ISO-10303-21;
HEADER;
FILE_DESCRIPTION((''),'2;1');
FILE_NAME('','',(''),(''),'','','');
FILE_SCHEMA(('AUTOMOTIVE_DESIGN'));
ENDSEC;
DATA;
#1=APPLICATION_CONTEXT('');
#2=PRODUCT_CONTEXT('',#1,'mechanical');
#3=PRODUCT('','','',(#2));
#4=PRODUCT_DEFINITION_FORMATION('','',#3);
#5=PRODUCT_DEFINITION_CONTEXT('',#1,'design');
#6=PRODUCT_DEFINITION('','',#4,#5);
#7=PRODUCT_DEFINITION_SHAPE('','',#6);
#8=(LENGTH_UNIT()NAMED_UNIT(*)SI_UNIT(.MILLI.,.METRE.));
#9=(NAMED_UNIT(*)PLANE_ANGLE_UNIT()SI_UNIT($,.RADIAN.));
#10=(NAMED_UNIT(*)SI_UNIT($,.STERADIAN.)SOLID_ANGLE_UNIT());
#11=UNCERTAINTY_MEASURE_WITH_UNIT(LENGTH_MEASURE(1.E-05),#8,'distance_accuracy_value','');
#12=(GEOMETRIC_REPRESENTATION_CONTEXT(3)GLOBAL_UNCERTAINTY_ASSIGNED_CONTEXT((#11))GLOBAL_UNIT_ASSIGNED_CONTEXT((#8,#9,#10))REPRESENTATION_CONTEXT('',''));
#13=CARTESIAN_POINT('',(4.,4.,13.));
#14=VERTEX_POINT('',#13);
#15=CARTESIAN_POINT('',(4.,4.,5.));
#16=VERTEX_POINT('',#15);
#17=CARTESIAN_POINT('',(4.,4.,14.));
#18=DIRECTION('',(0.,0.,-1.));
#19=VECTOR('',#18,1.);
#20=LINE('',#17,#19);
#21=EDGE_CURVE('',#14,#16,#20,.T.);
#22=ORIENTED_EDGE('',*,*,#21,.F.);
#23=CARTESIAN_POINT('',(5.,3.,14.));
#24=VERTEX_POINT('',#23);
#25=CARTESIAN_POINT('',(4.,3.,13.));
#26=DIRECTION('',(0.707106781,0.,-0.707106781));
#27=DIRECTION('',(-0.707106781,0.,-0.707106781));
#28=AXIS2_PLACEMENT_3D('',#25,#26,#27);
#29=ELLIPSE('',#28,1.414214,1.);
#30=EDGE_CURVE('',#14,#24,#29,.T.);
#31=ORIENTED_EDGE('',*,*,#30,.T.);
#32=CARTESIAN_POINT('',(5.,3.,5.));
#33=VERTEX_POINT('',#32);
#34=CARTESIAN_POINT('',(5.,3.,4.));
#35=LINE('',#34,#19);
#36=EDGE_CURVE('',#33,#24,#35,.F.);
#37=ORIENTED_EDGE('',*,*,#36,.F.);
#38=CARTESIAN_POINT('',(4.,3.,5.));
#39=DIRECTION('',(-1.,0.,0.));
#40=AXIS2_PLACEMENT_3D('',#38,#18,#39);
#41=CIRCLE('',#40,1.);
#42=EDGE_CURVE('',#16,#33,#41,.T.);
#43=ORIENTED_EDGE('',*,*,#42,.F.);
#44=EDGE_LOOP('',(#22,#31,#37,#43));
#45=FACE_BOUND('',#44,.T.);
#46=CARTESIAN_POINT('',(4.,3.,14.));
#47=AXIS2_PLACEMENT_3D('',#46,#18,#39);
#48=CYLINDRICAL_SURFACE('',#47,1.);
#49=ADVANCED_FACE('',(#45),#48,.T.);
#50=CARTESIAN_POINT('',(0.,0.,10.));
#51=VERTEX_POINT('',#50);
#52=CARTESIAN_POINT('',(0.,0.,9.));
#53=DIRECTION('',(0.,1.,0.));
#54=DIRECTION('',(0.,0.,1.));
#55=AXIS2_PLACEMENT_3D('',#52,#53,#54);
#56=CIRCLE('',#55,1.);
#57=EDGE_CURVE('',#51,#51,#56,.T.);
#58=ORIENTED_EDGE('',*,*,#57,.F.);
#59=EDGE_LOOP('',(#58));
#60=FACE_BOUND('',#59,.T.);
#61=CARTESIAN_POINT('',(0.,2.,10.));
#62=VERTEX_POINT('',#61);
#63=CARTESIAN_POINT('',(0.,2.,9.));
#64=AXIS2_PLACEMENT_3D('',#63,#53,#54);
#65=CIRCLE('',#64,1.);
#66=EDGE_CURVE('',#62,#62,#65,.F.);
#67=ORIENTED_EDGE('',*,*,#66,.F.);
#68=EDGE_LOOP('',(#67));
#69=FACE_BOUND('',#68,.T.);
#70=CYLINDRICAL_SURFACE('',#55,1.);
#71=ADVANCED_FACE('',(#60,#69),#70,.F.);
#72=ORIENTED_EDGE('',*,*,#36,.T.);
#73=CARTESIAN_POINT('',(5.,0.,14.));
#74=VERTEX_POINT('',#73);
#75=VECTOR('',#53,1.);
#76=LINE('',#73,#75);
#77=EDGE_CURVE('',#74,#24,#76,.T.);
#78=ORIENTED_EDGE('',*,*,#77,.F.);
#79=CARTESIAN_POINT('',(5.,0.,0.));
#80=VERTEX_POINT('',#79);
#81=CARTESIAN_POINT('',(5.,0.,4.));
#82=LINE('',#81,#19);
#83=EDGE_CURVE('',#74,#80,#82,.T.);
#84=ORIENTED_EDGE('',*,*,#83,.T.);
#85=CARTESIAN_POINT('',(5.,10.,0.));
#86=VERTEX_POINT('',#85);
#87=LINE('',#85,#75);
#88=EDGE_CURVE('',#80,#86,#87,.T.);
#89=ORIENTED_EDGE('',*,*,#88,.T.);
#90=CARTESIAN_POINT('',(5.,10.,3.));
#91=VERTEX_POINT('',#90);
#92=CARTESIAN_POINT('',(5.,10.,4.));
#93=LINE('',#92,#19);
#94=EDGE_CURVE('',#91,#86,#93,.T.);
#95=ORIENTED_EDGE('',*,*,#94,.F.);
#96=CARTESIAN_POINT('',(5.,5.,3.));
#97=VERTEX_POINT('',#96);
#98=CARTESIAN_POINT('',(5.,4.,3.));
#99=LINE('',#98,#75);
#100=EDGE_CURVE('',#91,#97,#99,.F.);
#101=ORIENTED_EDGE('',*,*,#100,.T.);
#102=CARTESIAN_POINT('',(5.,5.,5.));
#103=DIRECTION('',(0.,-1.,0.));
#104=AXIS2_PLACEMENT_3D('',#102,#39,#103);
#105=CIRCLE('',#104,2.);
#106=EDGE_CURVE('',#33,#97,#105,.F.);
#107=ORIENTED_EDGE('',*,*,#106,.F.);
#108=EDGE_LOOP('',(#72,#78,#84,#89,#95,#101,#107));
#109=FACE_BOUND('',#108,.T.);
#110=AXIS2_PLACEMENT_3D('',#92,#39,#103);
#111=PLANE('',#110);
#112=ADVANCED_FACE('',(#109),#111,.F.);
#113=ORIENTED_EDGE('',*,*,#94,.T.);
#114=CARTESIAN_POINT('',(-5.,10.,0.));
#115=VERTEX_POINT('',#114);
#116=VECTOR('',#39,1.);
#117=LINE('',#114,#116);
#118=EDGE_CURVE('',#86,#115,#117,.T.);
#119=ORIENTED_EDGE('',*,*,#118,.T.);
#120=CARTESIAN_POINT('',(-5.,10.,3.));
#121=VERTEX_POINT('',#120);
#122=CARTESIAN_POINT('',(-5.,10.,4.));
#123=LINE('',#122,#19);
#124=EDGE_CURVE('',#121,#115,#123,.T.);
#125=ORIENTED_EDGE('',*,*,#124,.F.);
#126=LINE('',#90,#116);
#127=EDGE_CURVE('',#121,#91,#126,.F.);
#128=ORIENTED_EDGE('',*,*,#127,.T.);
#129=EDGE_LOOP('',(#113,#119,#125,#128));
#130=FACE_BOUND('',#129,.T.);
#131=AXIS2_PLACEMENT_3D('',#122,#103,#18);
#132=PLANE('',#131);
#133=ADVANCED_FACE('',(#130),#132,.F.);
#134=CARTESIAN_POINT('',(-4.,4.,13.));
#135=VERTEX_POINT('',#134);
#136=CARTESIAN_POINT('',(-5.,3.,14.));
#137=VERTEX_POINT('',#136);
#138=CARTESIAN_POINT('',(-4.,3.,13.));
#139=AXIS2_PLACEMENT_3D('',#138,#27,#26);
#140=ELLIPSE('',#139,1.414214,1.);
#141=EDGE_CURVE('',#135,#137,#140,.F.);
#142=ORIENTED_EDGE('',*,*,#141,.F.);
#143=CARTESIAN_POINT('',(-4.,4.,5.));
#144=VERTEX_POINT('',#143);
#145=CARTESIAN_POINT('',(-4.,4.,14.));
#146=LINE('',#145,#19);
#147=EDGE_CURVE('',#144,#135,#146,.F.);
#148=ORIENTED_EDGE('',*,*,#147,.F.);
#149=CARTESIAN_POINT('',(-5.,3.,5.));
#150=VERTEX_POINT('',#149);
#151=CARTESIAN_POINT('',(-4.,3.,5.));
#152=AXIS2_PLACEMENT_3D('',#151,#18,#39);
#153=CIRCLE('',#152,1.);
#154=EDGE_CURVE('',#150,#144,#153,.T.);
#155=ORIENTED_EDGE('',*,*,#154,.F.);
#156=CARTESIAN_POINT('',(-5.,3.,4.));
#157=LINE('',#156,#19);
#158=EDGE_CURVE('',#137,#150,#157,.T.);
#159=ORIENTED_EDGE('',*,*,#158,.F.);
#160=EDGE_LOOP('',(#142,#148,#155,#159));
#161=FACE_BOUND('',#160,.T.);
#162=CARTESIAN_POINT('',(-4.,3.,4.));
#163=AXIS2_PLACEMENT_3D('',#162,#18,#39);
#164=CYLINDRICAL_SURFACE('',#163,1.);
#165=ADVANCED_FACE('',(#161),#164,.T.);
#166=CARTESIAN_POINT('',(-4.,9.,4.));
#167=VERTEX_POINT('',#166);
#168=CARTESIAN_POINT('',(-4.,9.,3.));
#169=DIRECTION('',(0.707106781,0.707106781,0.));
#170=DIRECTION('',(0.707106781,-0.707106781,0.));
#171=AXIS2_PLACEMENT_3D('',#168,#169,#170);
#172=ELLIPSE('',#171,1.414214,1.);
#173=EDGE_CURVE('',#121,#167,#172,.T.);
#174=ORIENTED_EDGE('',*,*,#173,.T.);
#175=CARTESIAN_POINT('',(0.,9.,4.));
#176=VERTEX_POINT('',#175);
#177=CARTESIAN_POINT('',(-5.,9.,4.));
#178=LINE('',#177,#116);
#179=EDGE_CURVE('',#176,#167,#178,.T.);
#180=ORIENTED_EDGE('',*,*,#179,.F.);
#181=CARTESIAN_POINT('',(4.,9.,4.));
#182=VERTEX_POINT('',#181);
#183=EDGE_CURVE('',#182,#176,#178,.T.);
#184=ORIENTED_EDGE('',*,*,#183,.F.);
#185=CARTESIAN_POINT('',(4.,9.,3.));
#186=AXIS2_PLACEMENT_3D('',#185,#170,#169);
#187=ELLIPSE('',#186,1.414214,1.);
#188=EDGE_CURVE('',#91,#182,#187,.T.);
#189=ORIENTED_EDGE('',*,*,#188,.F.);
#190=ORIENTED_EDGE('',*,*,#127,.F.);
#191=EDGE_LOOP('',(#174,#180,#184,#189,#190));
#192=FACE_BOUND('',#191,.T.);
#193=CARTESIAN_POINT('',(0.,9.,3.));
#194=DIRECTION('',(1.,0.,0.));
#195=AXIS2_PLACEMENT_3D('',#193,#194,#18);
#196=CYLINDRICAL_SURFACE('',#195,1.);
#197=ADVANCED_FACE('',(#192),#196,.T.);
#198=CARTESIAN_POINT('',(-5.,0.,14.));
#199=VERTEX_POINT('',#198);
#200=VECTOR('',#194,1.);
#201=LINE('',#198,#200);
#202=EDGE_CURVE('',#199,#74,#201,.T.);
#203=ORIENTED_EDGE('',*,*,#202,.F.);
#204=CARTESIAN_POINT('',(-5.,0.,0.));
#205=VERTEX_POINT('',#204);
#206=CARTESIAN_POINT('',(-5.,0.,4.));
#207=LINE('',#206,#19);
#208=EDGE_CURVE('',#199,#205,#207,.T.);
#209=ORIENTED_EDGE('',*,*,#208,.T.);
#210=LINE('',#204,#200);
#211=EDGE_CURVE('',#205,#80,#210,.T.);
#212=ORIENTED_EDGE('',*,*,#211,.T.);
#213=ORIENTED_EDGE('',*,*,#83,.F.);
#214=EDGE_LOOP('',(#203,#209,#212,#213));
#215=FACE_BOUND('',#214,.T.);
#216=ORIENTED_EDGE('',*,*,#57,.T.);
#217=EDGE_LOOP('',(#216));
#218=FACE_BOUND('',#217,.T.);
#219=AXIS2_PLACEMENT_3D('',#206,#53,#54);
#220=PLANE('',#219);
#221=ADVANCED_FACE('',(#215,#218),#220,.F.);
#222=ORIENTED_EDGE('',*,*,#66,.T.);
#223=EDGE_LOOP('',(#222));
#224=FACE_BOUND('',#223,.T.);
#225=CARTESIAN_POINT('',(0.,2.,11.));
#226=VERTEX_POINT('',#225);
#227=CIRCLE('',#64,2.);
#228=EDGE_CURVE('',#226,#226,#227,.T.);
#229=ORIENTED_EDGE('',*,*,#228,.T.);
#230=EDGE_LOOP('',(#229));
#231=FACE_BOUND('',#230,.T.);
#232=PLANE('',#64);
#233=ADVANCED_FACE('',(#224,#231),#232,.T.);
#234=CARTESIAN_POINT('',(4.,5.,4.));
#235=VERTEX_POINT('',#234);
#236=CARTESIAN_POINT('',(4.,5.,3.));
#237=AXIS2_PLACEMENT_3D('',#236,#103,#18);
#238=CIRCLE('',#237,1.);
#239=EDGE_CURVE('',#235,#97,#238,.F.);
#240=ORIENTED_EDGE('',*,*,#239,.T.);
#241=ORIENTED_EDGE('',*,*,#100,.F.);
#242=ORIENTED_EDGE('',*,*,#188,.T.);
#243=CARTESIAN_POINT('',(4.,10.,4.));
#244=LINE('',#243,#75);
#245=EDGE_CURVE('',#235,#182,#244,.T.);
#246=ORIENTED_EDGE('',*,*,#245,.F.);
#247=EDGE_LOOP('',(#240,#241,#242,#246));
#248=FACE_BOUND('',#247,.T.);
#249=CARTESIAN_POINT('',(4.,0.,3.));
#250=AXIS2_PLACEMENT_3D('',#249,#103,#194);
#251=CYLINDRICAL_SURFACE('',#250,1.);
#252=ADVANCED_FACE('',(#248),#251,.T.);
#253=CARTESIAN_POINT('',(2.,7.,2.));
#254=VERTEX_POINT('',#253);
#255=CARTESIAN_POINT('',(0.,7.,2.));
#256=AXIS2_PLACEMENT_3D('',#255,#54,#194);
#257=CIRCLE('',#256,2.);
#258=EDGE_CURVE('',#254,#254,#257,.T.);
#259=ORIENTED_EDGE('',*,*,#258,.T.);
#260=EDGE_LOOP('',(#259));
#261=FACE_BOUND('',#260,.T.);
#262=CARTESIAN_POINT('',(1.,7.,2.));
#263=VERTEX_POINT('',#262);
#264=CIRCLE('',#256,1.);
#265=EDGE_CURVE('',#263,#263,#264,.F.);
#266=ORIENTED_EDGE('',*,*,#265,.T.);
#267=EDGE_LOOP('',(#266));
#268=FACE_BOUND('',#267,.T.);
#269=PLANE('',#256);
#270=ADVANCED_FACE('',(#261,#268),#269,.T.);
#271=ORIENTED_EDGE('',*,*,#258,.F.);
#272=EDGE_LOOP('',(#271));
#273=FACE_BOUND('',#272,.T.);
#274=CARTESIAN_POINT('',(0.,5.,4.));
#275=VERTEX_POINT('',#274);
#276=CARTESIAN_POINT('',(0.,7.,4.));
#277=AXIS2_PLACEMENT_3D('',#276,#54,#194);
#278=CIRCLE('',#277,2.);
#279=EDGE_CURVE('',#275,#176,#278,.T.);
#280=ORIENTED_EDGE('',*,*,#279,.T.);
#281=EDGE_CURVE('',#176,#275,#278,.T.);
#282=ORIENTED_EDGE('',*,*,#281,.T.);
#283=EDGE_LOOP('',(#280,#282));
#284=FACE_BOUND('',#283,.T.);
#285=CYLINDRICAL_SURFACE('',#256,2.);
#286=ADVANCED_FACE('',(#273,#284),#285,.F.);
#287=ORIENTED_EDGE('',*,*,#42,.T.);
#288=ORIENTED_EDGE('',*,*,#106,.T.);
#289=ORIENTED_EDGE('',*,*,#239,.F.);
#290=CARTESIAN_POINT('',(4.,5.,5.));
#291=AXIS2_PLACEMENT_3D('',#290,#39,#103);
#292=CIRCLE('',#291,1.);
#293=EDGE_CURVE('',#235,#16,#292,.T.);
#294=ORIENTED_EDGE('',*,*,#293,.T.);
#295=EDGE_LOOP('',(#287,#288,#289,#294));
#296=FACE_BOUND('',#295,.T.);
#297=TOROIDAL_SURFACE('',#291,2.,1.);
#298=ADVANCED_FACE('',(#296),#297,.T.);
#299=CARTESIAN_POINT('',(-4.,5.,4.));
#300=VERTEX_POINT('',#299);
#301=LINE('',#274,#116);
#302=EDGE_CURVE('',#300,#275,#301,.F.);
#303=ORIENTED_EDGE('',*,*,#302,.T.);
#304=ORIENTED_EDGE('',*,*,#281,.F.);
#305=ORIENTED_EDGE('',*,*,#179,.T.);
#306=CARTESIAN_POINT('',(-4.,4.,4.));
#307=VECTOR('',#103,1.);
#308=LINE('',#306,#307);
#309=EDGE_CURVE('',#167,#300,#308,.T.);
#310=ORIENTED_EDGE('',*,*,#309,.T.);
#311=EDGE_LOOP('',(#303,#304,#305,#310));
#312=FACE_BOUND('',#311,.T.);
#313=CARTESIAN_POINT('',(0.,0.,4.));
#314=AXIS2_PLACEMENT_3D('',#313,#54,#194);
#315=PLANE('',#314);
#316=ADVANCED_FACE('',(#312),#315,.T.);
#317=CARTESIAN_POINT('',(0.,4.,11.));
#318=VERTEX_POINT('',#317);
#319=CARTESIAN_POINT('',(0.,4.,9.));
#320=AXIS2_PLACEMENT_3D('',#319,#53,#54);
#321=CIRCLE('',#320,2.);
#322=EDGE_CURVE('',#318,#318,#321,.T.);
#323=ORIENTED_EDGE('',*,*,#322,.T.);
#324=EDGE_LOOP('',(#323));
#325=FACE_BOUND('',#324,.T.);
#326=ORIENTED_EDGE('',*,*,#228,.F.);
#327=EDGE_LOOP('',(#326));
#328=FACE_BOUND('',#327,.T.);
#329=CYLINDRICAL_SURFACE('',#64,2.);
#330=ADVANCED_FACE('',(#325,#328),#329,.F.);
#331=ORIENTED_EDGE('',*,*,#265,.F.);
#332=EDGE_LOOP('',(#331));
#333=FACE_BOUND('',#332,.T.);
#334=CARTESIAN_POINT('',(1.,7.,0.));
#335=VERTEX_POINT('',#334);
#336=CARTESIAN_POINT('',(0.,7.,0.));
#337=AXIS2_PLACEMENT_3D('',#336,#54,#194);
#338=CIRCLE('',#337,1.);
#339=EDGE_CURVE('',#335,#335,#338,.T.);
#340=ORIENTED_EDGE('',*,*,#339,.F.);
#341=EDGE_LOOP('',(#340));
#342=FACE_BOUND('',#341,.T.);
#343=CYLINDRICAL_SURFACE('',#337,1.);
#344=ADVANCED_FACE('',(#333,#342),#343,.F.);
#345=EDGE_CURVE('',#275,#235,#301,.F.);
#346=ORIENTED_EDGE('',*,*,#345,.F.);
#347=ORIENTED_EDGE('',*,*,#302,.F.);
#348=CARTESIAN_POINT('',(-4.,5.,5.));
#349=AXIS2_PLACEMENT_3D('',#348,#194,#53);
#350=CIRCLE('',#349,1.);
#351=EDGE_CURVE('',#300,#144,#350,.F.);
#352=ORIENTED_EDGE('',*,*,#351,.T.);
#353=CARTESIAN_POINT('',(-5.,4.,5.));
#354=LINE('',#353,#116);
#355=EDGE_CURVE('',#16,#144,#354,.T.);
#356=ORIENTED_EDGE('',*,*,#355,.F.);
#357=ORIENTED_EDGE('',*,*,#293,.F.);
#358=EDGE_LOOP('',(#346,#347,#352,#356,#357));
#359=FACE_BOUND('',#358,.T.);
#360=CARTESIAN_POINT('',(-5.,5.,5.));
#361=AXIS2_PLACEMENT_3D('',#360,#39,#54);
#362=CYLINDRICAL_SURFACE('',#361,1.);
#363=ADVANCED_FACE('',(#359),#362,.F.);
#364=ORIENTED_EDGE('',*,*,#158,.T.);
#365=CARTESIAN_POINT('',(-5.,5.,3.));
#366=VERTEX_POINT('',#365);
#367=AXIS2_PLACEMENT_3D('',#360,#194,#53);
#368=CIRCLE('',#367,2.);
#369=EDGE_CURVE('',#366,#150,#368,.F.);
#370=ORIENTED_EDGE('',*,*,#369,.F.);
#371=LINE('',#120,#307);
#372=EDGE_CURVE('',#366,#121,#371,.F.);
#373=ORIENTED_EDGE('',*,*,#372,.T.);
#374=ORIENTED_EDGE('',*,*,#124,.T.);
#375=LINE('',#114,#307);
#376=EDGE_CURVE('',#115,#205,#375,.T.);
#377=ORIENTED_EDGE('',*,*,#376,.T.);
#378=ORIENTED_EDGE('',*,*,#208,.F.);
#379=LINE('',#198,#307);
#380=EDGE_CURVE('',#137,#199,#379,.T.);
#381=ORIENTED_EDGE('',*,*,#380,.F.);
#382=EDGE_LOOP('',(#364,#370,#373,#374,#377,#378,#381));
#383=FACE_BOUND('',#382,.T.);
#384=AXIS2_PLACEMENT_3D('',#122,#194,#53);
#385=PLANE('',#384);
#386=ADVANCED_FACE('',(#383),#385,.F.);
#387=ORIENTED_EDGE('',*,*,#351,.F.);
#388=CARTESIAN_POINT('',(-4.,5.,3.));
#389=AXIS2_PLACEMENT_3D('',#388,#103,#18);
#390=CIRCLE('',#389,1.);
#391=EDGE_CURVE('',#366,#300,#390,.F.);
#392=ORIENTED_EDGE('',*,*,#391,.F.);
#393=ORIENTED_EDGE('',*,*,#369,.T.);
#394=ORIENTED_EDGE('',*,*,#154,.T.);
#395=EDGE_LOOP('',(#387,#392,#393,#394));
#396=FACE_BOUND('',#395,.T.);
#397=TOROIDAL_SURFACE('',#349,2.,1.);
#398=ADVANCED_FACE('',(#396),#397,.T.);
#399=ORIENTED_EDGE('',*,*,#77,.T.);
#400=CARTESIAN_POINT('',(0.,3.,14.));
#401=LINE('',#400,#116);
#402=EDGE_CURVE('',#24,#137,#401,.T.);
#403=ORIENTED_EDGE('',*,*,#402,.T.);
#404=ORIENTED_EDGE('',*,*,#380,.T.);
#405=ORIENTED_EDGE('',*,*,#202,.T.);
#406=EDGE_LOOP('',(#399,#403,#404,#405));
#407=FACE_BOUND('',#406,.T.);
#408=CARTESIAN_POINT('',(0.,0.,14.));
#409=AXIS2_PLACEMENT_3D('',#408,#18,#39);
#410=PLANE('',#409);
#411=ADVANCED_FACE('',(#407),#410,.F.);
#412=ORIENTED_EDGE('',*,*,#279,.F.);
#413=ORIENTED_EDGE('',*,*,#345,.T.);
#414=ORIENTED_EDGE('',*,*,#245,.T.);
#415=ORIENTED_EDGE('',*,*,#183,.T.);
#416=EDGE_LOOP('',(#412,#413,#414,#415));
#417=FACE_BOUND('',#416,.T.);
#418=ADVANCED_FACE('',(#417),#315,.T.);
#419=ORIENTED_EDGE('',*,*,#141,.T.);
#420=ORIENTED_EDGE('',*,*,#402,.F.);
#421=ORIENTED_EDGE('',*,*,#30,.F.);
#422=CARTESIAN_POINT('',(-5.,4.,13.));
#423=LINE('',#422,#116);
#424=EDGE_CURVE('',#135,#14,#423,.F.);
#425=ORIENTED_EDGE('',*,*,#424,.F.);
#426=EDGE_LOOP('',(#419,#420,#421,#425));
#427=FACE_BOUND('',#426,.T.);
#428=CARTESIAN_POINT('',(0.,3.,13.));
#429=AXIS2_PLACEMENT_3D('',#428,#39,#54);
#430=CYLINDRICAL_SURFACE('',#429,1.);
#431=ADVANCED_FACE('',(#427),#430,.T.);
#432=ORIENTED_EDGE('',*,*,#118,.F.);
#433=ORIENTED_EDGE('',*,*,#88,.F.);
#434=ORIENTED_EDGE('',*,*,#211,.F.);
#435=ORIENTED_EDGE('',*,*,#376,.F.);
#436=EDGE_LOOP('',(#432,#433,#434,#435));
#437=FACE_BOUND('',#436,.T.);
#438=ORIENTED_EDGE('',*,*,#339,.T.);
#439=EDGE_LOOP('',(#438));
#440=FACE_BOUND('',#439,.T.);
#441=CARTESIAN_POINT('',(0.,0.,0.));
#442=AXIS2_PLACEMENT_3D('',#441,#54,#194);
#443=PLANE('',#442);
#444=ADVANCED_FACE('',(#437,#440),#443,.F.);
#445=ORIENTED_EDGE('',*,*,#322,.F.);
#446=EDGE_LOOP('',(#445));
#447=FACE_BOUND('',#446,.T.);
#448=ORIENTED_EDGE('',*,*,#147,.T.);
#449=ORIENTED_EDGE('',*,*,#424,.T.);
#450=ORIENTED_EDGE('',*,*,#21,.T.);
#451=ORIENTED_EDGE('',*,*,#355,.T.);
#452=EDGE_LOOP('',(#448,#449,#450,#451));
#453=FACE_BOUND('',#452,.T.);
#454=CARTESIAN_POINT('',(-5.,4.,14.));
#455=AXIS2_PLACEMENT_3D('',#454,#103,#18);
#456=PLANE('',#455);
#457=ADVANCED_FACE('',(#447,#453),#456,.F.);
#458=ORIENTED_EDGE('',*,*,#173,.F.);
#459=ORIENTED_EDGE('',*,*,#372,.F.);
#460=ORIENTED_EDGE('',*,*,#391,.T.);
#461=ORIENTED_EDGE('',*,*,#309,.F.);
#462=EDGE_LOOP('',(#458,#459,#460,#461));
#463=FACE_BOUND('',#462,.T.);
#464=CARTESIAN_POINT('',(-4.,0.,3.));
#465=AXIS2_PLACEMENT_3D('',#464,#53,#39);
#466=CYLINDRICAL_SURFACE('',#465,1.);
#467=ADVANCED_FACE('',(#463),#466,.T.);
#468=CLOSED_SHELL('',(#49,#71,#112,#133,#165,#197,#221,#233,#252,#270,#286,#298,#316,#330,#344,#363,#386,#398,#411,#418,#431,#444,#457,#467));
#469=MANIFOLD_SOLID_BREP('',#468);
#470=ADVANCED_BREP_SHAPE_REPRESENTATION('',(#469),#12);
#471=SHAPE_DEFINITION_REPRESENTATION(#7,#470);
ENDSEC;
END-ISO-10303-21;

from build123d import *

# Parameters (mm, degrees)
ESQUISSE1_W             = 10
ESQUISSE1_H             = 10
BOSS_EXTRU_1_DEPTH      = 4
ESQUISSE2_W             = 10
ESQUISSE2_H             = 4
BOSS_EXTRU_2_DEPTH      = 10
ESQUISSE3_R             = 1
ENL_V_MAT_EXTRU_1_DEPTH = 5
CONG_1_R                = 1
ESQUISSE4_R             = 1
ENL_V_MAT_EXTRU_2_DEPTH = 5
ESQUISSE5_R             = 2
ENL_V_MAT_EXTRU_3_DEPTH = 2
ESQUISSE6_R             = 2
ENL_V_MAT_EXTRU_4_DEPTH = 2


with BuildPart() as part:
    # Esquisse1 → Boss.-Extru.1 (new body)
    with BuildSketch(Plane.XY):
        with Locations((0, 5)):
            Rectangle(ESQUISSE1_W, ESQUISSE1_H)
    extrude(amount=BOSS_EXTRU_1_DEPTH)

    # Esquisse2 → Boss.-Extru.2 (add)
    with BuildSketch(Plane.XY.offset(4)):
        with Locations((0, 2)):
            Rectangle(ESQUISSE2_W, ESQUISSE2_H)
    extrude(amount=BOSS_EXTRU_2_DEPTH)

    # Esquisse3 → Enlèv. mat.-Extru.1 (cut, through all)
    with BuildSketch(Plane.XY.offset(4)):
        with Locations((0, 7)):
            Circle(ESQUISSE3_R)
    extrude(amount=-ENL_V_MAT_EXTRU_1_DEPTH, mode=Mode.SUBTRACT)

    # Congé1
    cong_1_edges = [part.edges().sort_by_distance(p)[0] for p in [
        (5, 7, 4),
        (-5, 4, 9),
        (0, 4, 4),
        (5, 4, 9),
        (0, 10, 4),
        (0, 4, 14),
        (-5, 7, 4),
    ]]
    fillet(cong_1_edges, radius=CONG_1_R)

    # Esquisse4 → Enlèv. mat.-Extru.2 (cut, through all)
    with BuildSketch(Plane(origin=(0, 4, 0), x_dir=(1, 0, 0), z_dir=(0, 1, 0))):
        with Locations(Location((0, -9, 0), (0, 0, 270))):  # turned: the seam where the file's is
            Circle(ESQUISSE4_R)
    extrude(amount=-ENL_V_MAT_EXTRU_2_DEPTH, mode=Mode.SUBTRACT)

    # Esquisse5 → Enlèv. mat.-Extru.3 (cut)
    with BuildSketch(Plane.XY.offset(4)):
        with Locations((0, 7)):
            Circle(ESQUISSE5_R)
    extrude(amount=-ENL_V_MAT_EXTRU_3_DEPTH, mode=Mode.SUBTRACT)

    # Esquisse6 → Enlèv. mat.-Extru.4 (cut)
    with BuildSketch(Plane(origin=(0, 4, 0), x_dir=(1, 0, 0), z_dir=(0, 1, 0))):
        with Locations(Location((0, -9, 0), (0, 0, 270))):  # turned: the seam where the file's is
            Circle(ESQUISSE6_R)
    extrude(amount=-ENL_V_MAT_EXTRU_4_DEPTH, mode=Mode.SUBTRACT)


solid = part.part
